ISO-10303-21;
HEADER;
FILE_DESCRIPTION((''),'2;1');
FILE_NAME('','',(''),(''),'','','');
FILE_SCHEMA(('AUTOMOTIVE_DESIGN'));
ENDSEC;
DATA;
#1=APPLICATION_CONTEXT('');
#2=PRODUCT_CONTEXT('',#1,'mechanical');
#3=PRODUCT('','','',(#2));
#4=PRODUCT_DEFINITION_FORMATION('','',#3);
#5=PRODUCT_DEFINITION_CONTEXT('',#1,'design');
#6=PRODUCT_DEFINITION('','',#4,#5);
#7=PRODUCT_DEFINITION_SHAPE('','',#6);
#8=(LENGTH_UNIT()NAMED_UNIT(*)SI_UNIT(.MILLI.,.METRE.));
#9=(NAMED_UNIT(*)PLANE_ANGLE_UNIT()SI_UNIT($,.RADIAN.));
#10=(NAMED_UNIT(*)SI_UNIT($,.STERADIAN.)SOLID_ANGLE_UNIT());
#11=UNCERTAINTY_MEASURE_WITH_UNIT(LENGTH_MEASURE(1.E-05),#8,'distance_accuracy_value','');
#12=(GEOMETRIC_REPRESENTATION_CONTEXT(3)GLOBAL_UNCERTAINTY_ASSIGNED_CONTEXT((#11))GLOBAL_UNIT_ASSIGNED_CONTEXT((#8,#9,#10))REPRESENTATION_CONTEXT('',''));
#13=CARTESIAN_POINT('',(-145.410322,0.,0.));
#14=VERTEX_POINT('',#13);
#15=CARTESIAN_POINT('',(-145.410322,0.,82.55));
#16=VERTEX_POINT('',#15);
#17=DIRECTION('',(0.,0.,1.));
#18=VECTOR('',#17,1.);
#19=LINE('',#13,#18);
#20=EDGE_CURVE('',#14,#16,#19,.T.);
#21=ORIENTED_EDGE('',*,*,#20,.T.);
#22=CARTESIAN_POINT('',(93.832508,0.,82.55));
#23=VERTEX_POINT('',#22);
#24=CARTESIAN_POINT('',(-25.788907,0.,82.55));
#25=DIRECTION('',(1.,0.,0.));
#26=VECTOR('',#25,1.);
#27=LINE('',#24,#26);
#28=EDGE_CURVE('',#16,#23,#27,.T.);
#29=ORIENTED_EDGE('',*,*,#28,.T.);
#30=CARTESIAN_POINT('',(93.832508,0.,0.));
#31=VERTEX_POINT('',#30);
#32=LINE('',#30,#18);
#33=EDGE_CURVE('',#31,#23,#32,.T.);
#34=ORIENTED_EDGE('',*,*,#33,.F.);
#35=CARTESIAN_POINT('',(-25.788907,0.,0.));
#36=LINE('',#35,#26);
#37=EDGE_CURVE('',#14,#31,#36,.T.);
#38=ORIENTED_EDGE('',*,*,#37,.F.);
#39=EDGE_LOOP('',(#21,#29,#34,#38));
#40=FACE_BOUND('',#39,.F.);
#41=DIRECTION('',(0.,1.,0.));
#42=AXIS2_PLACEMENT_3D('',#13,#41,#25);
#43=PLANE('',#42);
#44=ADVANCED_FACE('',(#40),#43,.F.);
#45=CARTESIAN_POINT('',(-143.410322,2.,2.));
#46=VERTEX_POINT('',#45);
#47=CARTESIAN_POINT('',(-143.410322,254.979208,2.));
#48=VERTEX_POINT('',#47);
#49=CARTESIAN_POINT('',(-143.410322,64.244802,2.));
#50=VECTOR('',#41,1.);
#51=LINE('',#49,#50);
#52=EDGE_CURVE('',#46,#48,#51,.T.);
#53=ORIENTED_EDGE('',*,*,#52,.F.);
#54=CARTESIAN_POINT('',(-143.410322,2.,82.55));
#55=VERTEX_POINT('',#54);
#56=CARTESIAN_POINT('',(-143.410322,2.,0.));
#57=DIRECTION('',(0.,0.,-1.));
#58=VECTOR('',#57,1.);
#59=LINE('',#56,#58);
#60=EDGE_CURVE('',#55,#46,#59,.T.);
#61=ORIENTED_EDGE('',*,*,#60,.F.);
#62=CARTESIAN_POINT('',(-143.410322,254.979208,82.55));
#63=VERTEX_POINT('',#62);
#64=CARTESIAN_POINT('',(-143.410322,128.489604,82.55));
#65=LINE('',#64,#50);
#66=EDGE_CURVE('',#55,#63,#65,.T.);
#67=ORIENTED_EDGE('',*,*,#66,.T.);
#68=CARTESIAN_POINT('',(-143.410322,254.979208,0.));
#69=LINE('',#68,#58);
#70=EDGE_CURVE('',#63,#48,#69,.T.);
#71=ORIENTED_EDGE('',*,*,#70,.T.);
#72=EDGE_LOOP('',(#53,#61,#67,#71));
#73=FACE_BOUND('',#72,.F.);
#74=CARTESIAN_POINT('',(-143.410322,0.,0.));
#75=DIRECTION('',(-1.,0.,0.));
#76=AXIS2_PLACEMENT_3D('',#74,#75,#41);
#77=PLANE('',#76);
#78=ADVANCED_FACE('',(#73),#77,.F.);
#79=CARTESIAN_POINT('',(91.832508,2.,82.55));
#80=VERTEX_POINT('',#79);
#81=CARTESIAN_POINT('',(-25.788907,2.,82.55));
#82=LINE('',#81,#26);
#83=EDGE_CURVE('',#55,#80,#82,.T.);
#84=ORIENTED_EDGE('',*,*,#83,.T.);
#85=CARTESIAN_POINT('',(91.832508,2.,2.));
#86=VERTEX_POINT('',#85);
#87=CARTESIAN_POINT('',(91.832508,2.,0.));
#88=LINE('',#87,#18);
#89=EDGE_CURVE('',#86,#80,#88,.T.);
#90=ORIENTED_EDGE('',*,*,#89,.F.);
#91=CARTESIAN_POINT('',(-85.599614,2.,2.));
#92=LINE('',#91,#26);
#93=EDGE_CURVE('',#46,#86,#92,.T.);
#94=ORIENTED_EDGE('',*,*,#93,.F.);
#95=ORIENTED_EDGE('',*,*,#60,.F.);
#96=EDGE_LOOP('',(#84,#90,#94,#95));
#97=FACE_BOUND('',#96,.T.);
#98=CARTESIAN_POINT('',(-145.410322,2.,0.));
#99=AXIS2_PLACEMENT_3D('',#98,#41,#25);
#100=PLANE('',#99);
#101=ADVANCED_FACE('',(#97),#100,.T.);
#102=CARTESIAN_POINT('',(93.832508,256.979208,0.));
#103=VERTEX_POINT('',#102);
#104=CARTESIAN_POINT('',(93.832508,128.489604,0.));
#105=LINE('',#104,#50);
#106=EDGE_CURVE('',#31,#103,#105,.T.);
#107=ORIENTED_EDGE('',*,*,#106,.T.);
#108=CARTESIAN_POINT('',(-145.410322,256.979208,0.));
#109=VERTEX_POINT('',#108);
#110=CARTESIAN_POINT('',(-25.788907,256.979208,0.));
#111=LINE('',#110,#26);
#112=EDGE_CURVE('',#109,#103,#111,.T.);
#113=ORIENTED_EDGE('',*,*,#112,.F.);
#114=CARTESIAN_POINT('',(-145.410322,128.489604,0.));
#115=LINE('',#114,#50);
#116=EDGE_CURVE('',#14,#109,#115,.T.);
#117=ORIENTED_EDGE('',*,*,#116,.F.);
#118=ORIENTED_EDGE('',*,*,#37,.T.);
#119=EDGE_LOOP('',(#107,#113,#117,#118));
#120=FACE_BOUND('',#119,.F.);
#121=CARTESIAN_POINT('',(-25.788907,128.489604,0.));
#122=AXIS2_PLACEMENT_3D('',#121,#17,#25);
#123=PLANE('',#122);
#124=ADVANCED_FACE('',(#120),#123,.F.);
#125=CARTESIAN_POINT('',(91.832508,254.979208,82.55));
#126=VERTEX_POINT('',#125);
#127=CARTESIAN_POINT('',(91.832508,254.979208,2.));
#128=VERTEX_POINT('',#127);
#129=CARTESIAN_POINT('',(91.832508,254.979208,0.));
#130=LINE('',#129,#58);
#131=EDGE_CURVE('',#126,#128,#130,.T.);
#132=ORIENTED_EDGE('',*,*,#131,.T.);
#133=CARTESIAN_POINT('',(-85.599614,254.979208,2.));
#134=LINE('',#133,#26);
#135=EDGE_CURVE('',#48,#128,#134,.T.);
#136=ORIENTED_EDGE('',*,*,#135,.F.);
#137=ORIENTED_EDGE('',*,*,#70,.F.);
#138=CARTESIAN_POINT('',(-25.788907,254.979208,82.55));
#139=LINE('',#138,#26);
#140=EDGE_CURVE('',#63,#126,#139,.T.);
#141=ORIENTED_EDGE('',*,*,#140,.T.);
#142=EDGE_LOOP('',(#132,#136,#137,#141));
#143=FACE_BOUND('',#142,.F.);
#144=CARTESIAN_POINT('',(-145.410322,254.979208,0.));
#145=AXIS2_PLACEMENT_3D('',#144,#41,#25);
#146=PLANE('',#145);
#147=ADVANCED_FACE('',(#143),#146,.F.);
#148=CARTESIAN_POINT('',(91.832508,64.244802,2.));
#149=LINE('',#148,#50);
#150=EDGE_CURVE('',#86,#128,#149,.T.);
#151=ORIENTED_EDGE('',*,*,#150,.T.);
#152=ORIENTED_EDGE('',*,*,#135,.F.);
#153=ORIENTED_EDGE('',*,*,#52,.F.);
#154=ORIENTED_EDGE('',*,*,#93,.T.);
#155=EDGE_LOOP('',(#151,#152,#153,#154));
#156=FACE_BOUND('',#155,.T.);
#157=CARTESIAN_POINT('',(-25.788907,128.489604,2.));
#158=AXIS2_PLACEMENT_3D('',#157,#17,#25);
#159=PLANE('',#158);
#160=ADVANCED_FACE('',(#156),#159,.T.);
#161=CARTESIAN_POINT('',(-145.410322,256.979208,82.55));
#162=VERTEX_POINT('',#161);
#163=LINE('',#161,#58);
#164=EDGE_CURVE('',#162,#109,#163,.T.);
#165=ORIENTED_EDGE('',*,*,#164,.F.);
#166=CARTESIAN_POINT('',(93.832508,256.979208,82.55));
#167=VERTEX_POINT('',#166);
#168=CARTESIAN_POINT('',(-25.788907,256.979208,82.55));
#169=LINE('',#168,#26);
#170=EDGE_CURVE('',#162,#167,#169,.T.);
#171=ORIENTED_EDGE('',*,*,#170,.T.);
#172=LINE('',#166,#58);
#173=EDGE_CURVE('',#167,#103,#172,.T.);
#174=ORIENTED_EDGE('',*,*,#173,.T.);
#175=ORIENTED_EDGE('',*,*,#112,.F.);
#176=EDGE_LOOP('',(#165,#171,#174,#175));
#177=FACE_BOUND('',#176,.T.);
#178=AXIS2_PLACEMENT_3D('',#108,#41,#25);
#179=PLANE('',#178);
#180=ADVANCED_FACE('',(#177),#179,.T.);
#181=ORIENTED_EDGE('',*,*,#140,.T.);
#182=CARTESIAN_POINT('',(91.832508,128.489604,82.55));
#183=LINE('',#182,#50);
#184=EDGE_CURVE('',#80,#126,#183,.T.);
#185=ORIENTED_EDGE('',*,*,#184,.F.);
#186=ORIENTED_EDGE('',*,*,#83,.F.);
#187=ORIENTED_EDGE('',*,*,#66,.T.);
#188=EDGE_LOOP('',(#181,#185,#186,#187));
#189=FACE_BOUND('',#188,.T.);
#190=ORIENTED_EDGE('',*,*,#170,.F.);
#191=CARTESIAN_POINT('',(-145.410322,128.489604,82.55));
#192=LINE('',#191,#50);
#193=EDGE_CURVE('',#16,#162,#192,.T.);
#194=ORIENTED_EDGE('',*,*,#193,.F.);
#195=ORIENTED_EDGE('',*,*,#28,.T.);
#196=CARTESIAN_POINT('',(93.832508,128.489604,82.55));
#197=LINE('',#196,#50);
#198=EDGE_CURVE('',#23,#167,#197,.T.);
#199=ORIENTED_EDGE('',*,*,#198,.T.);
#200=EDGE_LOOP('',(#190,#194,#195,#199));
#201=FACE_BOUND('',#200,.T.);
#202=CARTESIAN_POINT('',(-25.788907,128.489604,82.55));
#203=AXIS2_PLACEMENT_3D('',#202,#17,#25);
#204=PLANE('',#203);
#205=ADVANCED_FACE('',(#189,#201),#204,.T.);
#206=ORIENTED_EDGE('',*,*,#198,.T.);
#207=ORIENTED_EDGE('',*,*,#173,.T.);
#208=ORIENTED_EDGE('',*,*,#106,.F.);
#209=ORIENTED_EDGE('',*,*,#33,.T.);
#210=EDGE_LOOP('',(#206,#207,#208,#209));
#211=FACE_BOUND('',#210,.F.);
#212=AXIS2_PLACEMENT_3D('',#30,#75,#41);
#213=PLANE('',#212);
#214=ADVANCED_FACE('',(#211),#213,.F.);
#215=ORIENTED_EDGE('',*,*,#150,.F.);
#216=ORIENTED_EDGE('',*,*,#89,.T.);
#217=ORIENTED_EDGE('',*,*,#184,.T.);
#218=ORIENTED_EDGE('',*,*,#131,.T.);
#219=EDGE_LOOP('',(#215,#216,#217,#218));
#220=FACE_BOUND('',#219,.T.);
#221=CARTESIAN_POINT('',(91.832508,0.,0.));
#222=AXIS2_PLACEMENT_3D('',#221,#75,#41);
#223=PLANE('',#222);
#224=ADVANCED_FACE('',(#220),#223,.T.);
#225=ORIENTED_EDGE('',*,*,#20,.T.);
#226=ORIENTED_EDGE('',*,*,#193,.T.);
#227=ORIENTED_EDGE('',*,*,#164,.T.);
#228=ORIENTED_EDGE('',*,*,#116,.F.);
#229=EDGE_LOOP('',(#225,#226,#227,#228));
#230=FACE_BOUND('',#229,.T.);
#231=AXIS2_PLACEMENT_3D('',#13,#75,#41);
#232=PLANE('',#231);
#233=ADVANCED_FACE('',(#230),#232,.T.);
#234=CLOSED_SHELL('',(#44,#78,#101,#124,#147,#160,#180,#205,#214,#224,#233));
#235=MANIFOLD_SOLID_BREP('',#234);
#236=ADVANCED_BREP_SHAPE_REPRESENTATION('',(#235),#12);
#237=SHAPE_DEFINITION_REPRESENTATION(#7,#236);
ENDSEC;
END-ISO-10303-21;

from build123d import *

# Parameters (mm, degrees)
F0_W     = 239.2428293824
F0_H     = 256.9792084396
F2_DEPTH = 82.55
F3_T     = -2
F4_DEPTH = 2


with BuildPart() as f2:
    # F0 (on Top) → F2 (new body)
    with BuildSketch(Plane.XY):
        with Locations((-25.7889069617, 128.4896042198)):
            Rectangle(F0_W, F0_H)
    extrude(amount=F2_DEPTH)

    # F3
    f3_openings = [f2.faces().sort_by_distance(p)[0] for p in [
        (-25.788907, 128.489604, 82.55),
    ]]
    offset(amount=F3_T, openings=f3_openings)

    # F0 (on Top) → F4 (join)
    with BuildSketch(Plane.XY):
        with Locations((-25.7889069617, 128.4896042198)):
            Rectangle(F0_W, F0_H)
    extrude(amount=F4_DEPTH)


solid = f2.part
